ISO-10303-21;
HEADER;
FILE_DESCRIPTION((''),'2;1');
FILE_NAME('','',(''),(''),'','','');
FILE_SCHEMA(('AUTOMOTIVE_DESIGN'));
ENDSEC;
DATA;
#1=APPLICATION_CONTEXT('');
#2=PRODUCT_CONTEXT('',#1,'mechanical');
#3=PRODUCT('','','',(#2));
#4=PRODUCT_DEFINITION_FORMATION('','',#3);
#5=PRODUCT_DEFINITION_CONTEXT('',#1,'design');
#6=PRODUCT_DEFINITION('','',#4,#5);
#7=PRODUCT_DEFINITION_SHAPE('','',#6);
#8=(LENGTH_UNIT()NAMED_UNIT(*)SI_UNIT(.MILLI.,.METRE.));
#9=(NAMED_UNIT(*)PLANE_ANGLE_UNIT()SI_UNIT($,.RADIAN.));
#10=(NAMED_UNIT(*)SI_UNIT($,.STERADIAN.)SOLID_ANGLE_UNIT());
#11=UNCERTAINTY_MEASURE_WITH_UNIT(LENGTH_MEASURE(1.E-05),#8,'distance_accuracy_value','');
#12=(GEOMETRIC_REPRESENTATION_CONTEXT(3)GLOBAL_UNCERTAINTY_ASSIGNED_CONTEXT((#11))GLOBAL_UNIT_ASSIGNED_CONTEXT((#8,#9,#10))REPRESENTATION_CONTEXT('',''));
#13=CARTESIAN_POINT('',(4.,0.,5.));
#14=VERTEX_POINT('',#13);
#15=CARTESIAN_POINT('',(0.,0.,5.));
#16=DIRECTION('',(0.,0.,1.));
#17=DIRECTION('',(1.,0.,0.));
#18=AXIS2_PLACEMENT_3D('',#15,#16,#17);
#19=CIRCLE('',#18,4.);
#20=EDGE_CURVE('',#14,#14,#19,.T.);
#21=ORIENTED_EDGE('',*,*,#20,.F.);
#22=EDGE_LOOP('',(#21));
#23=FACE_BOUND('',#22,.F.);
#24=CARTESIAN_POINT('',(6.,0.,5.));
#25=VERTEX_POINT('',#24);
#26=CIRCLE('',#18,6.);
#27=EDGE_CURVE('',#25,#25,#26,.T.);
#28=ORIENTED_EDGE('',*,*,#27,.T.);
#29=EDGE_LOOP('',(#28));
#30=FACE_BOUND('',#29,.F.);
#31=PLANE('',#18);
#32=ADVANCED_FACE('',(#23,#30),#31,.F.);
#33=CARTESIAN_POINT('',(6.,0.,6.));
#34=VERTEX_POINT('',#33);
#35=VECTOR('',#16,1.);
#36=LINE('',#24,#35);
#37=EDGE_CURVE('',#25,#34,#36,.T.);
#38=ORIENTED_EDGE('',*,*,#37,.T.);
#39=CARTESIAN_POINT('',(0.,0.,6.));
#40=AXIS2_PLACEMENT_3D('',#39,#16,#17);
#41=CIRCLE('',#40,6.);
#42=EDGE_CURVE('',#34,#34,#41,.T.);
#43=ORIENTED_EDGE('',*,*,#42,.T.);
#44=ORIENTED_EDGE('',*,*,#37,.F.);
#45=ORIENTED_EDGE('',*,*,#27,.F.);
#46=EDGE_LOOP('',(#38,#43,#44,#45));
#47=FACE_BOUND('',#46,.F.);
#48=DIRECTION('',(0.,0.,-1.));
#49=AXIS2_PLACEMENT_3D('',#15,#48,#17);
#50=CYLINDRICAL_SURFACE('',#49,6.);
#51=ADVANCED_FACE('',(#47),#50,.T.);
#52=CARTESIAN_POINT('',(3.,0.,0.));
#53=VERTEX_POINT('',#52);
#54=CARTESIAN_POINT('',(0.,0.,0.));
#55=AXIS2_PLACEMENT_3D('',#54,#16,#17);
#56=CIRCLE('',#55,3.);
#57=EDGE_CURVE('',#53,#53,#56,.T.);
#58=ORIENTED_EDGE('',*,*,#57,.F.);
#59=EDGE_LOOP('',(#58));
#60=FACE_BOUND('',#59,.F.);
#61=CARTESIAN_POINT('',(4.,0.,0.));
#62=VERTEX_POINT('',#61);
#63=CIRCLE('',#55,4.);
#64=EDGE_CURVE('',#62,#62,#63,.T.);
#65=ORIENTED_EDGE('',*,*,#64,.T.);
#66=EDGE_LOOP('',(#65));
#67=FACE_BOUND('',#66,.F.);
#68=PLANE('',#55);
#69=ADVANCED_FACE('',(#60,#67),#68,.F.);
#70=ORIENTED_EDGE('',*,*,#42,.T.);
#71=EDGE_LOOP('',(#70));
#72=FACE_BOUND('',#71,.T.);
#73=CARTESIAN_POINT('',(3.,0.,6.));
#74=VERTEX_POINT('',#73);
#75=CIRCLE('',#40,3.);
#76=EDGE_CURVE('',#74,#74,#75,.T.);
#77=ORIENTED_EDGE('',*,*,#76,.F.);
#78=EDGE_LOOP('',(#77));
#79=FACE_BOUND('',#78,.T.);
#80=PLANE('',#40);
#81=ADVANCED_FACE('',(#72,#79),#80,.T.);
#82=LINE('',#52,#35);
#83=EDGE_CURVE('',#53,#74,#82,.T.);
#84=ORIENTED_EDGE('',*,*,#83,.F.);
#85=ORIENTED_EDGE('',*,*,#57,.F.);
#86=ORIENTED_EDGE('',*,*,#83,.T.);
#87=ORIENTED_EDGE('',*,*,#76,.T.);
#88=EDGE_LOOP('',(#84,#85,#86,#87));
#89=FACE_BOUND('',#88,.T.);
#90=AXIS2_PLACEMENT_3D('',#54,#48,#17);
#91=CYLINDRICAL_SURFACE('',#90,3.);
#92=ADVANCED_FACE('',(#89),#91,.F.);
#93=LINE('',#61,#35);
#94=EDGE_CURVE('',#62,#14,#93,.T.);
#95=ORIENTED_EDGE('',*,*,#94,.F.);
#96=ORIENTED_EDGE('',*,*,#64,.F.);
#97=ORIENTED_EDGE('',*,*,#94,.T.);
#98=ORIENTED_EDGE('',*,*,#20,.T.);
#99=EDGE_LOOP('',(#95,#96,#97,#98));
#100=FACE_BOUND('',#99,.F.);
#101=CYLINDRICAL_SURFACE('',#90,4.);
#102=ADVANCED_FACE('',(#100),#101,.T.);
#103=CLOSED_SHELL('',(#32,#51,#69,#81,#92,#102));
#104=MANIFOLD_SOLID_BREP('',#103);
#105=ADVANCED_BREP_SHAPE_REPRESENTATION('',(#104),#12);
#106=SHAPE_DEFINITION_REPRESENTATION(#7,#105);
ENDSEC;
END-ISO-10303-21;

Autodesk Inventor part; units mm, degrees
ref_plane "YZ Plane" through (0, 0, 0) normal (1, 0, 0) x (0, 1, 0)
ref_plane "XZ Plane" through (0, 0, 0) normal (0, 1, 0) x (-1, 0, 0)
ref_plane "XY Plane" through (0, 0, 0) normal (0, 0, 1) x (1, 0, 0)
sketch "スケッチ1" plane through (0, 0, 0) normal (0, 0, 1) x (1, 0, 0)
  circle A0 centre (0, 0) radius 3
  circle A1 centre (0, 0) radius 4
  dimension "d0" = 6
  dimension "d1" = 8
extrude "押し出し1" add sketch "スケッチ1" along normal blind 5
sketch "スケッチ2" plane through (0, 0, 5) normal (0, 0, 1) x (1, 0, 0)
  circle A0 centre (0, 0) radius 6
  circle A1 centre (0, 0) radius 3 projected
  dimension "d4" = 12
extrude "押し出し2" add sketch "スケッチ2" along normal blind 1
properties part number "オイレスフランジ付き06080512,1t ドライメット" material "真鍮"
